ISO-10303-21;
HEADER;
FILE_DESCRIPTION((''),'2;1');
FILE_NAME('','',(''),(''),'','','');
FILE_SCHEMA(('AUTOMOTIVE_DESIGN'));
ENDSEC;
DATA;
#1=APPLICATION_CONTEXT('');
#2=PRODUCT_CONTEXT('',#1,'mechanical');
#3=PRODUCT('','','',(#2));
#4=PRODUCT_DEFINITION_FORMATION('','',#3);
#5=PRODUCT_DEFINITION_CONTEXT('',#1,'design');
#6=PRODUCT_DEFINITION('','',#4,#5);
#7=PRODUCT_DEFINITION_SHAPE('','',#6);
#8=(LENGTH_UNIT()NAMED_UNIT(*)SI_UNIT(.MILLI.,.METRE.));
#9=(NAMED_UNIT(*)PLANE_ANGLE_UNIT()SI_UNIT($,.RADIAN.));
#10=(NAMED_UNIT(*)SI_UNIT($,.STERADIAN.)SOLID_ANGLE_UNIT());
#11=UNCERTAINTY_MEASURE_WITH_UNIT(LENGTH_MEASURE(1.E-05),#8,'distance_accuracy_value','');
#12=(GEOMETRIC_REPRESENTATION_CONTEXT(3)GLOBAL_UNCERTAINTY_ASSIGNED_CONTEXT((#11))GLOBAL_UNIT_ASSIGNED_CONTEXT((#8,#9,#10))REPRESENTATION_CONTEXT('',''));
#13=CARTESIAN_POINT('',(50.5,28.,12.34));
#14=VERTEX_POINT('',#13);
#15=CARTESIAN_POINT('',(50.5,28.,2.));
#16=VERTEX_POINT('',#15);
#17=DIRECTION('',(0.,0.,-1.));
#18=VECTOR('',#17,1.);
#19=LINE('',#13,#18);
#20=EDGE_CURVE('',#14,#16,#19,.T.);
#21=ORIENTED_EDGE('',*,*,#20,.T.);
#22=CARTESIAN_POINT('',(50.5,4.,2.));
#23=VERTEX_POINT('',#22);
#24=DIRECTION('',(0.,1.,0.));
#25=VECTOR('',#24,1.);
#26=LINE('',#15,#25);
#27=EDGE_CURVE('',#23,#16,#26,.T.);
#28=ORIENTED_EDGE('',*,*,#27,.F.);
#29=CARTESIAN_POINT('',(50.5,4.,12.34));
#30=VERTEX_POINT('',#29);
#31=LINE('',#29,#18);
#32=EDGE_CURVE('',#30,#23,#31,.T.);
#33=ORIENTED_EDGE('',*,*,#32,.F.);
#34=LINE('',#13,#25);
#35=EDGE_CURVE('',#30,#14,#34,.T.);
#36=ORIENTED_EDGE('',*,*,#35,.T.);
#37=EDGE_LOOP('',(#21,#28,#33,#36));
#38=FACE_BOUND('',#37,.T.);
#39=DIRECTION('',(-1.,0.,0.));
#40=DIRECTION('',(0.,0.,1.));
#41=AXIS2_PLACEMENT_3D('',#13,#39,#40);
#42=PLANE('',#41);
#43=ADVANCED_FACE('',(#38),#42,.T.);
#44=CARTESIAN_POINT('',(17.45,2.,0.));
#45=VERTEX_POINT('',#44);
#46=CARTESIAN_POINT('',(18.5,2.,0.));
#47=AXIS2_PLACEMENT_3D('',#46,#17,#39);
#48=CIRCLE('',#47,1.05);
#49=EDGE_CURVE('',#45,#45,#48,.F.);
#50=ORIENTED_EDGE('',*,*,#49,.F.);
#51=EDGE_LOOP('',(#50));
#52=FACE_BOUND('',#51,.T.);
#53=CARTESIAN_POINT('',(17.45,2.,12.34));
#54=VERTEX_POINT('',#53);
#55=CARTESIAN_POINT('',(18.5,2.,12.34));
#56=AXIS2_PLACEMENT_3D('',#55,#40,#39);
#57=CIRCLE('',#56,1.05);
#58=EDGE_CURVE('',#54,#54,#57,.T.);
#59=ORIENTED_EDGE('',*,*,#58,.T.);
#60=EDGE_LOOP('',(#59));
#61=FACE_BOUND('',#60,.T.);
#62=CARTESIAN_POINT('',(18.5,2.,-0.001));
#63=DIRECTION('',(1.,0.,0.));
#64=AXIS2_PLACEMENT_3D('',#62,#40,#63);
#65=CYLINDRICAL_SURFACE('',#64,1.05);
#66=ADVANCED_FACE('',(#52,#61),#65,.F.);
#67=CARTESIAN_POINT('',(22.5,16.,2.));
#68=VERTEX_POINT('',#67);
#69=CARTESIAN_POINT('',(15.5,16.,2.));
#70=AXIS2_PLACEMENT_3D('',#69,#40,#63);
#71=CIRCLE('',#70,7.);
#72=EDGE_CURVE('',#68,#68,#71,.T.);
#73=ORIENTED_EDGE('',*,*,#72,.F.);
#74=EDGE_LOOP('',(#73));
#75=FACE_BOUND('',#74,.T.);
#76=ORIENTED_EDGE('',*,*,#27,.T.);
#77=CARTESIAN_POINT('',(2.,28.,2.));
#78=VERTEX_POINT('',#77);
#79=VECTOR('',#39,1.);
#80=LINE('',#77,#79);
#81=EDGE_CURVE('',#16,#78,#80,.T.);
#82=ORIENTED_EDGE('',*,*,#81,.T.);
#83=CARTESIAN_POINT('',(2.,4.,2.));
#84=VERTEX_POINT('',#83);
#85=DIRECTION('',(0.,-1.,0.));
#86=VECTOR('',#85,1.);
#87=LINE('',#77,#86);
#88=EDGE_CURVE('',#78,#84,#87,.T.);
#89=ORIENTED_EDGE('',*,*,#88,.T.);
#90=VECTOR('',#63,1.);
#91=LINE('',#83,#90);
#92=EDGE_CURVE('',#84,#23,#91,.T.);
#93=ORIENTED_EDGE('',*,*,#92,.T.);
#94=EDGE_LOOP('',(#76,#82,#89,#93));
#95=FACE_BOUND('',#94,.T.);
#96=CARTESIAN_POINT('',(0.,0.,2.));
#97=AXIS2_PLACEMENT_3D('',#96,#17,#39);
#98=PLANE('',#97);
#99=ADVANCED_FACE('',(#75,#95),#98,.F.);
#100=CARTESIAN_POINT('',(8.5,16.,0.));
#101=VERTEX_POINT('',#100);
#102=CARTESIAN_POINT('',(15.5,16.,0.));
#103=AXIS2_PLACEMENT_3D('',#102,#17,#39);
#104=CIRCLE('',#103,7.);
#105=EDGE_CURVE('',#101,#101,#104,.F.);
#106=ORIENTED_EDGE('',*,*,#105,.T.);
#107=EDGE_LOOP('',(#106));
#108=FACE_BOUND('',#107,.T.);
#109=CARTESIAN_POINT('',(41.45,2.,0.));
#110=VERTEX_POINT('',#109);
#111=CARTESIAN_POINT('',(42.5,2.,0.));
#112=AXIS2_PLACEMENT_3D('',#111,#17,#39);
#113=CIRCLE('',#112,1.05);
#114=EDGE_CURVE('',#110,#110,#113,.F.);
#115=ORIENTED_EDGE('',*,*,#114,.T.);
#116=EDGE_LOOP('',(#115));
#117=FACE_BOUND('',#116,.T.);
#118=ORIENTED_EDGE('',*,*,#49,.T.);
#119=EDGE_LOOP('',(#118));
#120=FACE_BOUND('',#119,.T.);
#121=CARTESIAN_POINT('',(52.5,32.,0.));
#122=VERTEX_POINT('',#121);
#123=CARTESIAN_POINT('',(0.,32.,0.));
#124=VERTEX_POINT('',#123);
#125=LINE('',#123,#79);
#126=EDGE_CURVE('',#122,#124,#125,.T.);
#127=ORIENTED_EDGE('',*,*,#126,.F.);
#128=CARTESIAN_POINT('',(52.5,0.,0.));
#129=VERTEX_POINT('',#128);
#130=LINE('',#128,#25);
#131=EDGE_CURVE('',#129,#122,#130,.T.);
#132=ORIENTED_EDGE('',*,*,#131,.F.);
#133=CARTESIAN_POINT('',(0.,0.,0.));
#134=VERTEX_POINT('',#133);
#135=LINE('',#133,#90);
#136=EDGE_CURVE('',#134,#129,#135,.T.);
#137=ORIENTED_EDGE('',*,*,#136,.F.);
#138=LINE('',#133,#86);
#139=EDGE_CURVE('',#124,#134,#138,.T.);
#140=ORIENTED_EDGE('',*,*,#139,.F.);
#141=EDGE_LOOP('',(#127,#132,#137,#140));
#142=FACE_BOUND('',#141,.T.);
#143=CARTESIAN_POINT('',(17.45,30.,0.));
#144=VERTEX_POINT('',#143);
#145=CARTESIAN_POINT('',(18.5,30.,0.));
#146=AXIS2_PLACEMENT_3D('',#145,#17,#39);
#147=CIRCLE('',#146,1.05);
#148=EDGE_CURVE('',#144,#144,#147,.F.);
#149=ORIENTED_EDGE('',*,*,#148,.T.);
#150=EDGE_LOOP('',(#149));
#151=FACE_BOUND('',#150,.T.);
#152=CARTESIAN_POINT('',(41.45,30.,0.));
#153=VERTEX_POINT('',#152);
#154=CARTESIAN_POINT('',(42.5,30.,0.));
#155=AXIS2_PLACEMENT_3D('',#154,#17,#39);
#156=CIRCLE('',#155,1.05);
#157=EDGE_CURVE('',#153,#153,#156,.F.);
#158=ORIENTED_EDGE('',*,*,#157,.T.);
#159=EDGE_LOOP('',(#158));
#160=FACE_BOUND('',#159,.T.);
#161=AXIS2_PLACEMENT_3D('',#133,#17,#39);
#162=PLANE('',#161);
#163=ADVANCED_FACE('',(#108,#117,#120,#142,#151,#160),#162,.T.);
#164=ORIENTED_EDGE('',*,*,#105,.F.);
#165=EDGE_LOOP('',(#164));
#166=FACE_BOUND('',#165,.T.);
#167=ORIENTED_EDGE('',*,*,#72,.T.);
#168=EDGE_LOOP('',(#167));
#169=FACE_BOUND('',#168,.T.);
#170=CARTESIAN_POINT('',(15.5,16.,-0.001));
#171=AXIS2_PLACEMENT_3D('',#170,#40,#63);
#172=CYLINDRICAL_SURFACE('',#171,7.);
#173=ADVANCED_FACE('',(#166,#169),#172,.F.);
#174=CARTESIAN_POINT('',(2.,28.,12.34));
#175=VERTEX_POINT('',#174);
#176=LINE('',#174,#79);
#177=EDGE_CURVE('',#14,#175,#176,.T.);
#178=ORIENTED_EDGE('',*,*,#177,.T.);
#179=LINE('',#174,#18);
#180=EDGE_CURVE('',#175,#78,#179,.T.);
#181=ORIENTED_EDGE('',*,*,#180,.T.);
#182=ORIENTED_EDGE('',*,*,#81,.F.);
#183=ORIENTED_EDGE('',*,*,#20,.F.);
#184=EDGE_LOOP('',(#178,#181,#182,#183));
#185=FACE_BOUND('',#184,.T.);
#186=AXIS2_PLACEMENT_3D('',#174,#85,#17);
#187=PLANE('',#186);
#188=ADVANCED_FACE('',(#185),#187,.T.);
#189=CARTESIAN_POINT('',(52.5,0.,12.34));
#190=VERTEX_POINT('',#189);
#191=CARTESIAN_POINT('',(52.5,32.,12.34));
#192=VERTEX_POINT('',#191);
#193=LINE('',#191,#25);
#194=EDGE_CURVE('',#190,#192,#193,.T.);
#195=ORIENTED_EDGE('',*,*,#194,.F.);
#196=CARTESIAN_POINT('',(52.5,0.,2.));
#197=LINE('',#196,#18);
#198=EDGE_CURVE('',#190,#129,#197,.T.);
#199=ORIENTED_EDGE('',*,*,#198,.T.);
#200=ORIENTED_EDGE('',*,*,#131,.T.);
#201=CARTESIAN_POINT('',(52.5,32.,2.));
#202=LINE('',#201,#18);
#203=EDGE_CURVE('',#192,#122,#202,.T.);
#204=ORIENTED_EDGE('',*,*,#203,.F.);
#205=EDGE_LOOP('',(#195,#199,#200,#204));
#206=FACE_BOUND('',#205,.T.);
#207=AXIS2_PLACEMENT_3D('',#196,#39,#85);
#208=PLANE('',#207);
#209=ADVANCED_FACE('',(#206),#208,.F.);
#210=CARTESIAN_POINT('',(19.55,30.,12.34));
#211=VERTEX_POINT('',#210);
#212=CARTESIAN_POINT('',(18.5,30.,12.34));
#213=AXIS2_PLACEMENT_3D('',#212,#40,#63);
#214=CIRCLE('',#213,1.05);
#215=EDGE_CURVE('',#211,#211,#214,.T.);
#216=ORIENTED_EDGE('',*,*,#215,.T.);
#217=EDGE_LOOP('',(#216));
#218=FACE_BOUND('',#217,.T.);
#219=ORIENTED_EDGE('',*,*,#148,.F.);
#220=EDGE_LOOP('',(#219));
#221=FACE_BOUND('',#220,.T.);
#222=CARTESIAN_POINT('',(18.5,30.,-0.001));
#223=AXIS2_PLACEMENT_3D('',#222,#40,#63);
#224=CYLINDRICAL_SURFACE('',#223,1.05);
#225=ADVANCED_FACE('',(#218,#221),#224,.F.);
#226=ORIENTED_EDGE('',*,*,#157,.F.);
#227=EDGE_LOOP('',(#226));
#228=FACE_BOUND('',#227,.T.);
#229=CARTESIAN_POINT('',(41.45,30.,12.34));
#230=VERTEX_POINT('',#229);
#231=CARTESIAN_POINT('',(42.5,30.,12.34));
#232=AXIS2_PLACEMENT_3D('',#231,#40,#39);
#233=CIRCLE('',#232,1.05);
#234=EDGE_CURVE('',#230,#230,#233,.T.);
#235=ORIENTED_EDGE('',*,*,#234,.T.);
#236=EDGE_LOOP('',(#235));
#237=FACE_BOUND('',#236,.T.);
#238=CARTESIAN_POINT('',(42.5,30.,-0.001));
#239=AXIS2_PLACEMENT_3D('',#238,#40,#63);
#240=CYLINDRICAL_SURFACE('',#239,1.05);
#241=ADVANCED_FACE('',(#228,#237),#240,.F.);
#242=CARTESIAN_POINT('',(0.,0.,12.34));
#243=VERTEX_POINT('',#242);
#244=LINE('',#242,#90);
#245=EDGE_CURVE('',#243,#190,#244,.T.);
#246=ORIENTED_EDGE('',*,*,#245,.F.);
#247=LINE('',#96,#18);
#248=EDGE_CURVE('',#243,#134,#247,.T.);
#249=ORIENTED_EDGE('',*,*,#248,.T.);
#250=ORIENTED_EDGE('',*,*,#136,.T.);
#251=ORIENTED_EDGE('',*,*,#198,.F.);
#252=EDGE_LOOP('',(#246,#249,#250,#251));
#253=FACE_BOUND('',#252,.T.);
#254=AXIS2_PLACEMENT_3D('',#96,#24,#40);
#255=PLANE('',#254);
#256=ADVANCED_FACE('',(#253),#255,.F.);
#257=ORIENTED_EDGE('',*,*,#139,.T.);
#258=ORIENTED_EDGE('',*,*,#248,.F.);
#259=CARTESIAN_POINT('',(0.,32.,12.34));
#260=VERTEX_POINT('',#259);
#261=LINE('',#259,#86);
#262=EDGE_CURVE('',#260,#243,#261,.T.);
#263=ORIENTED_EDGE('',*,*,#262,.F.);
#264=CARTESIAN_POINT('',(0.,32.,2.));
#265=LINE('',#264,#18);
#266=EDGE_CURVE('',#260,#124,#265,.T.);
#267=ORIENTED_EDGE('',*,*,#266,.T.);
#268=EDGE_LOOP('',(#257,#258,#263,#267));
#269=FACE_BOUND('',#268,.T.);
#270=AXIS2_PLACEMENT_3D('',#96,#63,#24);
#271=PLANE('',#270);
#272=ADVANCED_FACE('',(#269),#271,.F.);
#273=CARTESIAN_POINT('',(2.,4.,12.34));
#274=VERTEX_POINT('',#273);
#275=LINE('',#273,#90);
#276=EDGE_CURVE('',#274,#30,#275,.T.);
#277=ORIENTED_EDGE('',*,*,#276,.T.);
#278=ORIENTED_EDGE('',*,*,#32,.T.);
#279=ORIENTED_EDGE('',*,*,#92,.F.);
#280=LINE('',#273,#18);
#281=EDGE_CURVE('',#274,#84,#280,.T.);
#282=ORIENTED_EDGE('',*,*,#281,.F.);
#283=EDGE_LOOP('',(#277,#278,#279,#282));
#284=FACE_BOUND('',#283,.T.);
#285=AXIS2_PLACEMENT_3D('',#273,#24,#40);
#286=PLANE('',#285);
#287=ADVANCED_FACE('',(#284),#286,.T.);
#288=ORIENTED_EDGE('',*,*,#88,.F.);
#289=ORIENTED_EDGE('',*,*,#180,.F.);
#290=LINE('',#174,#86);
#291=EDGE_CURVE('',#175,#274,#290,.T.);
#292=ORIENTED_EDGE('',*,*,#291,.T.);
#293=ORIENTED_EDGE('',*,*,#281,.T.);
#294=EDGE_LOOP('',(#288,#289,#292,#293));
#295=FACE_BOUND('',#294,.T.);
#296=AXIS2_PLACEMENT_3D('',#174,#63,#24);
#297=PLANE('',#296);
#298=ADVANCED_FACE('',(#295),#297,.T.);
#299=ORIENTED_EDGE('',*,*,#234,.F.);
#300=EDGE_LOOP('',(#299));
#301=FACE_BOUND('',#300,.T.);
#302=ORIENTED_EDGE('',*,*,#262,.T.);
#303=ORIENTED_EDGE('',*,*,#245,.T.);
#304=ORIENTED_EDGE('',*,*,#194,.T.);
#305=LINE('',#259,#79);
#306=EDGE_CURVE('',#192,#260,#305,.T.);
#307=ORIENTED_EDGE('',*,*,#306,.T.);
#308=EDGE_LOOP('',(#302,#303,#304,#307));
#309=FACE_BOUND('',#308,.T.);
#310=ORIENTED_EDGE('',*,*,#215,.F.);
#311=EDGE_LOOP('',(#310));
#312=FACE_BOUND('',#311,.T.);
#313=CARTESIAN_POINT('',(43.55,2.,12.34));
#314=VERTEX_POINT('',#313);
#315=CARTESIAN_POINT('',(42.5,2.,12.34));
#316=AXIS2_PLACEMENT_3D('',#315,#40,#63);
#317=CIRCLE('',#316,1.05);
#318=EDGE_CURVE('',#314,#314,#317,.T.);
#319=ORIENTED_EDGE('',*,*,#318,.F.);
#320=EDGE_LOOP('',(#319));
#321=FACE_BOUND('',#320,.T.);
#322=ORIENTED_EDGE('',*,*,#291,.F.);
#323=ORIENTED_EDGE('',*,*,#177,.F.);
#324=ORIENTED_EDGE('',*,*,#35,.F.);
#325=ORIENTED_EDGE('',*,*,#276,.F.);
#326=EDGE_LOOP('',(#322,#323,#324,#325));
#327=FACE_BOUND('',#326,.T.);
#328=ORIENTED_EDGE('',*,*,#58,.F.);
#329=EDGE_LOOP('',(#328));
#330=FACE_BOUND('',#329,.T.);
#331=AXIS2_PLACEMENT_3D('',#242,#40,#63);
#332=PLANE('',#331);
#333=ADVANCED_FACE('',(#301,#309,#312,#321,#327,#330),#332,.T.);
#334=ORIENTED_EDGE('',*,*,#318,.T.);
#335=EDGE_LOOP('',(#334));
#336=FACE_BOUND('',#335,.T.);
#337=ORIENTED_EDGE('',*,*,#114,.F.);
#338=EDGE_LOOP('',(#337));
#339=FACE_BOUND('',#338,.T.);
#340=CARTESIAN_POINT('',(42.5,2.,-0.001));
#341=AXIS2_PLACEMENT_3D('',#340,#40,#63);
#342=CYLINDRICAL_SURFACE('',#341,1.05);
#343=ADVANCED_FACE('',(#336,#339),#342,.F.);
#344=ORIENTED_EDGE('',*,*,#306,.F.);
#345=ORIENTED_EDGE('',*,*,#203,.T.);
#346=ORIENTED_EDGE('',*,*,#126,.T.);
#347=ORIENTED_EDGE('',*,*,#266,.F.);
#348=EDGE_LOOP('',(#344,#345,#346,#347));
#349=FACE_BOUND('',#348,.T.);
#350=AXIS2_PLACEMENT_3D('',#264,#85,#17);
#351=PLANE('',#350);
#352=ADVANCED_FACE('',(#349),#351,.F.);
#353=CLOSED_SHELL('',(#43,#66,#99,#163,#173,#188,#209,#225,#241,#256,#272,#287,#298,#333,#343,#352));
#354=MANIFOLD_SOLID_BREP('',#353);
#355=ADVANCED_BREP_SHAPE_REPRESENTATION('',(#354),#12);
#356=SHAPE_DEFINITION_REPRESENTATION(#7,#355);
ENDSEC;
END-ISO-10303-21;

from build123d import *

# Parameters (mm, degrees)
SKETCH_1_W          = 52.5
SKETCH_1_H          = 32
EXTRUDE_1_DEPTH     = 2
SKETCH_2_W          = 52.5
SKETCH_2_H          = 32
SKETCH_2_W_2        = 48.5
SKETCH_2_H_2        = 24
EXTRUDE_2_DEPTH     = 10.34
CUT_EXTRUDE_1_REACH = 64.347
SKETCH_3_R          = 7
CUT_EXTRUDE_2_REACH = 64.71
SKETCH_4_R          = 1.05


with BuildPart() as part:
    # 草图1 → 凸台-拉伸1 (new body)
    with BuildSketch(Plane.XY):
        with Locations((26.25, 16)):
            Rectangle(SKETCH_1_W, SKETCH_1_H)
    extrude(amount=EXTRUDE_1_DEPTH)

    # 草图2 → 凸台-拉伸2 (add)
    with BuildSketch(Plane.XY.offset(2)):
        with Locations((26.25, 16)):
            Rectangle(SKETCH_2_W, SKETCH_2_H)
        with Locations((26.25, 16)):
            Rectangle(SKETCH_2_W_2, SKETCH_2_H_2, mode=Mode.SUBTRACT)
    extrude(amount=EXTRUDE_2_DEPTH)

    # 草图3 → 切除-拉伸1 (cut, up to next)
    with BuildSketch(Plane.XY.offset(2), mode=Mode.PRIVATE) as cut_extrude_1_sk1:
        with Locations((15.5, 16)):
            Circle(SKETCH_3_R)
    cut_extrude_1_tool1 = extrude(cut_extrude_1_sk1.sketch, amount=-CUT_EXTRUDE_1_REACH, mode=Mode.PRIVATE) & part.part
    add(cut_extrude_1_tool1.solids().sort_by_distance((15.5, 16, 2))[0], mode=Mode.SUBTRACT)

    # 草图4 → 切除-拉伸2 (cut, up to next)
    with BuildSketch(Plane.XY.offset(12.34), mode=Mode.PRIVATE) as cut_extrude_2_sk1:
        with Locations((18.5, 30)):
            Circle(SKETCH_4_R)
    cut_extrude_2_tool1 = extrude(cut_extrude_2_sk1.sketch, amount=-CUT_EXTRUDE_2_REACH, mode=Mode.PRIVATE) & part.part
    # 草图4 → 切除-拉伸2 (cut, up to next)
    with BuildSketch(Plane.XY.offset(12.34), mode=Mode.PRIVATE) as cut_extrude_2_sk2:
        with Locations(Location((42.5, 30, 0), (0, 0, 180))):
            Circle(SKETCH_4_R)
    cut_extrude_2_tool2 = extrude(cut_extrude_2_sk2.sketch, amount=-CUT_EXTRUDE_2_REACH, mode=Mode.PRIVATE) & part.part
    # 草图4 → 切除-拉伸2 (cut, up to next)
    with BuildSketch(Plane.XY.offset(12.34), mode=Mode.PRIVATE) as cut_extrude_2_sk3:
        with Locations((42.5, 2)):
            Circle(SKETCH_4_R)
    cut_extrude_2_tool3 = extrude(cut_extrude_2_sk3.sketch, amount=-CUT_EXTRUDE_2_REACH, mode=Mode.PRIVATE) & part.part
    # 草图4 → 切除-拉伸2 (cut, up to next)
    with BuildSketch(Plane.XY.offset(12.34), mode=Mode.PRIVATE) as cut_extrude_2_sk4:
        with Locations(Location((18.5, 2, 0), (0, 0, 180))):
            Circle(SKETCH_4_R)
    cut_extrude_2_tool4 = extrude(cut_extrude_2_sk4.sketch, amount=-CUT_EXTRUDE_2_REACH, mode=Mode.PRIVATE) & part.part
    add(cut_extrude_2_tool1.solids().sort_by_distance((18.5, 30, 12.34))[0], mode=Mode.SUBTRACT)
    add(cut_extrude_2_tool2.solids().sort_by_distance((42.5, 30, 12.34))[0], mode=Mode.SUBTRACT)
    add(cut_extrude_2_tool3.solids().sort_by_distance((42.5, 2, 12.34))[0], mode=Mode.SUBTRACT)
    add(cut_extrude_2_tool4.solids().sort_by_distance((18.5, 2, 12.34))[0], mode=Mode.SUBTRACT)


solid = part.part
